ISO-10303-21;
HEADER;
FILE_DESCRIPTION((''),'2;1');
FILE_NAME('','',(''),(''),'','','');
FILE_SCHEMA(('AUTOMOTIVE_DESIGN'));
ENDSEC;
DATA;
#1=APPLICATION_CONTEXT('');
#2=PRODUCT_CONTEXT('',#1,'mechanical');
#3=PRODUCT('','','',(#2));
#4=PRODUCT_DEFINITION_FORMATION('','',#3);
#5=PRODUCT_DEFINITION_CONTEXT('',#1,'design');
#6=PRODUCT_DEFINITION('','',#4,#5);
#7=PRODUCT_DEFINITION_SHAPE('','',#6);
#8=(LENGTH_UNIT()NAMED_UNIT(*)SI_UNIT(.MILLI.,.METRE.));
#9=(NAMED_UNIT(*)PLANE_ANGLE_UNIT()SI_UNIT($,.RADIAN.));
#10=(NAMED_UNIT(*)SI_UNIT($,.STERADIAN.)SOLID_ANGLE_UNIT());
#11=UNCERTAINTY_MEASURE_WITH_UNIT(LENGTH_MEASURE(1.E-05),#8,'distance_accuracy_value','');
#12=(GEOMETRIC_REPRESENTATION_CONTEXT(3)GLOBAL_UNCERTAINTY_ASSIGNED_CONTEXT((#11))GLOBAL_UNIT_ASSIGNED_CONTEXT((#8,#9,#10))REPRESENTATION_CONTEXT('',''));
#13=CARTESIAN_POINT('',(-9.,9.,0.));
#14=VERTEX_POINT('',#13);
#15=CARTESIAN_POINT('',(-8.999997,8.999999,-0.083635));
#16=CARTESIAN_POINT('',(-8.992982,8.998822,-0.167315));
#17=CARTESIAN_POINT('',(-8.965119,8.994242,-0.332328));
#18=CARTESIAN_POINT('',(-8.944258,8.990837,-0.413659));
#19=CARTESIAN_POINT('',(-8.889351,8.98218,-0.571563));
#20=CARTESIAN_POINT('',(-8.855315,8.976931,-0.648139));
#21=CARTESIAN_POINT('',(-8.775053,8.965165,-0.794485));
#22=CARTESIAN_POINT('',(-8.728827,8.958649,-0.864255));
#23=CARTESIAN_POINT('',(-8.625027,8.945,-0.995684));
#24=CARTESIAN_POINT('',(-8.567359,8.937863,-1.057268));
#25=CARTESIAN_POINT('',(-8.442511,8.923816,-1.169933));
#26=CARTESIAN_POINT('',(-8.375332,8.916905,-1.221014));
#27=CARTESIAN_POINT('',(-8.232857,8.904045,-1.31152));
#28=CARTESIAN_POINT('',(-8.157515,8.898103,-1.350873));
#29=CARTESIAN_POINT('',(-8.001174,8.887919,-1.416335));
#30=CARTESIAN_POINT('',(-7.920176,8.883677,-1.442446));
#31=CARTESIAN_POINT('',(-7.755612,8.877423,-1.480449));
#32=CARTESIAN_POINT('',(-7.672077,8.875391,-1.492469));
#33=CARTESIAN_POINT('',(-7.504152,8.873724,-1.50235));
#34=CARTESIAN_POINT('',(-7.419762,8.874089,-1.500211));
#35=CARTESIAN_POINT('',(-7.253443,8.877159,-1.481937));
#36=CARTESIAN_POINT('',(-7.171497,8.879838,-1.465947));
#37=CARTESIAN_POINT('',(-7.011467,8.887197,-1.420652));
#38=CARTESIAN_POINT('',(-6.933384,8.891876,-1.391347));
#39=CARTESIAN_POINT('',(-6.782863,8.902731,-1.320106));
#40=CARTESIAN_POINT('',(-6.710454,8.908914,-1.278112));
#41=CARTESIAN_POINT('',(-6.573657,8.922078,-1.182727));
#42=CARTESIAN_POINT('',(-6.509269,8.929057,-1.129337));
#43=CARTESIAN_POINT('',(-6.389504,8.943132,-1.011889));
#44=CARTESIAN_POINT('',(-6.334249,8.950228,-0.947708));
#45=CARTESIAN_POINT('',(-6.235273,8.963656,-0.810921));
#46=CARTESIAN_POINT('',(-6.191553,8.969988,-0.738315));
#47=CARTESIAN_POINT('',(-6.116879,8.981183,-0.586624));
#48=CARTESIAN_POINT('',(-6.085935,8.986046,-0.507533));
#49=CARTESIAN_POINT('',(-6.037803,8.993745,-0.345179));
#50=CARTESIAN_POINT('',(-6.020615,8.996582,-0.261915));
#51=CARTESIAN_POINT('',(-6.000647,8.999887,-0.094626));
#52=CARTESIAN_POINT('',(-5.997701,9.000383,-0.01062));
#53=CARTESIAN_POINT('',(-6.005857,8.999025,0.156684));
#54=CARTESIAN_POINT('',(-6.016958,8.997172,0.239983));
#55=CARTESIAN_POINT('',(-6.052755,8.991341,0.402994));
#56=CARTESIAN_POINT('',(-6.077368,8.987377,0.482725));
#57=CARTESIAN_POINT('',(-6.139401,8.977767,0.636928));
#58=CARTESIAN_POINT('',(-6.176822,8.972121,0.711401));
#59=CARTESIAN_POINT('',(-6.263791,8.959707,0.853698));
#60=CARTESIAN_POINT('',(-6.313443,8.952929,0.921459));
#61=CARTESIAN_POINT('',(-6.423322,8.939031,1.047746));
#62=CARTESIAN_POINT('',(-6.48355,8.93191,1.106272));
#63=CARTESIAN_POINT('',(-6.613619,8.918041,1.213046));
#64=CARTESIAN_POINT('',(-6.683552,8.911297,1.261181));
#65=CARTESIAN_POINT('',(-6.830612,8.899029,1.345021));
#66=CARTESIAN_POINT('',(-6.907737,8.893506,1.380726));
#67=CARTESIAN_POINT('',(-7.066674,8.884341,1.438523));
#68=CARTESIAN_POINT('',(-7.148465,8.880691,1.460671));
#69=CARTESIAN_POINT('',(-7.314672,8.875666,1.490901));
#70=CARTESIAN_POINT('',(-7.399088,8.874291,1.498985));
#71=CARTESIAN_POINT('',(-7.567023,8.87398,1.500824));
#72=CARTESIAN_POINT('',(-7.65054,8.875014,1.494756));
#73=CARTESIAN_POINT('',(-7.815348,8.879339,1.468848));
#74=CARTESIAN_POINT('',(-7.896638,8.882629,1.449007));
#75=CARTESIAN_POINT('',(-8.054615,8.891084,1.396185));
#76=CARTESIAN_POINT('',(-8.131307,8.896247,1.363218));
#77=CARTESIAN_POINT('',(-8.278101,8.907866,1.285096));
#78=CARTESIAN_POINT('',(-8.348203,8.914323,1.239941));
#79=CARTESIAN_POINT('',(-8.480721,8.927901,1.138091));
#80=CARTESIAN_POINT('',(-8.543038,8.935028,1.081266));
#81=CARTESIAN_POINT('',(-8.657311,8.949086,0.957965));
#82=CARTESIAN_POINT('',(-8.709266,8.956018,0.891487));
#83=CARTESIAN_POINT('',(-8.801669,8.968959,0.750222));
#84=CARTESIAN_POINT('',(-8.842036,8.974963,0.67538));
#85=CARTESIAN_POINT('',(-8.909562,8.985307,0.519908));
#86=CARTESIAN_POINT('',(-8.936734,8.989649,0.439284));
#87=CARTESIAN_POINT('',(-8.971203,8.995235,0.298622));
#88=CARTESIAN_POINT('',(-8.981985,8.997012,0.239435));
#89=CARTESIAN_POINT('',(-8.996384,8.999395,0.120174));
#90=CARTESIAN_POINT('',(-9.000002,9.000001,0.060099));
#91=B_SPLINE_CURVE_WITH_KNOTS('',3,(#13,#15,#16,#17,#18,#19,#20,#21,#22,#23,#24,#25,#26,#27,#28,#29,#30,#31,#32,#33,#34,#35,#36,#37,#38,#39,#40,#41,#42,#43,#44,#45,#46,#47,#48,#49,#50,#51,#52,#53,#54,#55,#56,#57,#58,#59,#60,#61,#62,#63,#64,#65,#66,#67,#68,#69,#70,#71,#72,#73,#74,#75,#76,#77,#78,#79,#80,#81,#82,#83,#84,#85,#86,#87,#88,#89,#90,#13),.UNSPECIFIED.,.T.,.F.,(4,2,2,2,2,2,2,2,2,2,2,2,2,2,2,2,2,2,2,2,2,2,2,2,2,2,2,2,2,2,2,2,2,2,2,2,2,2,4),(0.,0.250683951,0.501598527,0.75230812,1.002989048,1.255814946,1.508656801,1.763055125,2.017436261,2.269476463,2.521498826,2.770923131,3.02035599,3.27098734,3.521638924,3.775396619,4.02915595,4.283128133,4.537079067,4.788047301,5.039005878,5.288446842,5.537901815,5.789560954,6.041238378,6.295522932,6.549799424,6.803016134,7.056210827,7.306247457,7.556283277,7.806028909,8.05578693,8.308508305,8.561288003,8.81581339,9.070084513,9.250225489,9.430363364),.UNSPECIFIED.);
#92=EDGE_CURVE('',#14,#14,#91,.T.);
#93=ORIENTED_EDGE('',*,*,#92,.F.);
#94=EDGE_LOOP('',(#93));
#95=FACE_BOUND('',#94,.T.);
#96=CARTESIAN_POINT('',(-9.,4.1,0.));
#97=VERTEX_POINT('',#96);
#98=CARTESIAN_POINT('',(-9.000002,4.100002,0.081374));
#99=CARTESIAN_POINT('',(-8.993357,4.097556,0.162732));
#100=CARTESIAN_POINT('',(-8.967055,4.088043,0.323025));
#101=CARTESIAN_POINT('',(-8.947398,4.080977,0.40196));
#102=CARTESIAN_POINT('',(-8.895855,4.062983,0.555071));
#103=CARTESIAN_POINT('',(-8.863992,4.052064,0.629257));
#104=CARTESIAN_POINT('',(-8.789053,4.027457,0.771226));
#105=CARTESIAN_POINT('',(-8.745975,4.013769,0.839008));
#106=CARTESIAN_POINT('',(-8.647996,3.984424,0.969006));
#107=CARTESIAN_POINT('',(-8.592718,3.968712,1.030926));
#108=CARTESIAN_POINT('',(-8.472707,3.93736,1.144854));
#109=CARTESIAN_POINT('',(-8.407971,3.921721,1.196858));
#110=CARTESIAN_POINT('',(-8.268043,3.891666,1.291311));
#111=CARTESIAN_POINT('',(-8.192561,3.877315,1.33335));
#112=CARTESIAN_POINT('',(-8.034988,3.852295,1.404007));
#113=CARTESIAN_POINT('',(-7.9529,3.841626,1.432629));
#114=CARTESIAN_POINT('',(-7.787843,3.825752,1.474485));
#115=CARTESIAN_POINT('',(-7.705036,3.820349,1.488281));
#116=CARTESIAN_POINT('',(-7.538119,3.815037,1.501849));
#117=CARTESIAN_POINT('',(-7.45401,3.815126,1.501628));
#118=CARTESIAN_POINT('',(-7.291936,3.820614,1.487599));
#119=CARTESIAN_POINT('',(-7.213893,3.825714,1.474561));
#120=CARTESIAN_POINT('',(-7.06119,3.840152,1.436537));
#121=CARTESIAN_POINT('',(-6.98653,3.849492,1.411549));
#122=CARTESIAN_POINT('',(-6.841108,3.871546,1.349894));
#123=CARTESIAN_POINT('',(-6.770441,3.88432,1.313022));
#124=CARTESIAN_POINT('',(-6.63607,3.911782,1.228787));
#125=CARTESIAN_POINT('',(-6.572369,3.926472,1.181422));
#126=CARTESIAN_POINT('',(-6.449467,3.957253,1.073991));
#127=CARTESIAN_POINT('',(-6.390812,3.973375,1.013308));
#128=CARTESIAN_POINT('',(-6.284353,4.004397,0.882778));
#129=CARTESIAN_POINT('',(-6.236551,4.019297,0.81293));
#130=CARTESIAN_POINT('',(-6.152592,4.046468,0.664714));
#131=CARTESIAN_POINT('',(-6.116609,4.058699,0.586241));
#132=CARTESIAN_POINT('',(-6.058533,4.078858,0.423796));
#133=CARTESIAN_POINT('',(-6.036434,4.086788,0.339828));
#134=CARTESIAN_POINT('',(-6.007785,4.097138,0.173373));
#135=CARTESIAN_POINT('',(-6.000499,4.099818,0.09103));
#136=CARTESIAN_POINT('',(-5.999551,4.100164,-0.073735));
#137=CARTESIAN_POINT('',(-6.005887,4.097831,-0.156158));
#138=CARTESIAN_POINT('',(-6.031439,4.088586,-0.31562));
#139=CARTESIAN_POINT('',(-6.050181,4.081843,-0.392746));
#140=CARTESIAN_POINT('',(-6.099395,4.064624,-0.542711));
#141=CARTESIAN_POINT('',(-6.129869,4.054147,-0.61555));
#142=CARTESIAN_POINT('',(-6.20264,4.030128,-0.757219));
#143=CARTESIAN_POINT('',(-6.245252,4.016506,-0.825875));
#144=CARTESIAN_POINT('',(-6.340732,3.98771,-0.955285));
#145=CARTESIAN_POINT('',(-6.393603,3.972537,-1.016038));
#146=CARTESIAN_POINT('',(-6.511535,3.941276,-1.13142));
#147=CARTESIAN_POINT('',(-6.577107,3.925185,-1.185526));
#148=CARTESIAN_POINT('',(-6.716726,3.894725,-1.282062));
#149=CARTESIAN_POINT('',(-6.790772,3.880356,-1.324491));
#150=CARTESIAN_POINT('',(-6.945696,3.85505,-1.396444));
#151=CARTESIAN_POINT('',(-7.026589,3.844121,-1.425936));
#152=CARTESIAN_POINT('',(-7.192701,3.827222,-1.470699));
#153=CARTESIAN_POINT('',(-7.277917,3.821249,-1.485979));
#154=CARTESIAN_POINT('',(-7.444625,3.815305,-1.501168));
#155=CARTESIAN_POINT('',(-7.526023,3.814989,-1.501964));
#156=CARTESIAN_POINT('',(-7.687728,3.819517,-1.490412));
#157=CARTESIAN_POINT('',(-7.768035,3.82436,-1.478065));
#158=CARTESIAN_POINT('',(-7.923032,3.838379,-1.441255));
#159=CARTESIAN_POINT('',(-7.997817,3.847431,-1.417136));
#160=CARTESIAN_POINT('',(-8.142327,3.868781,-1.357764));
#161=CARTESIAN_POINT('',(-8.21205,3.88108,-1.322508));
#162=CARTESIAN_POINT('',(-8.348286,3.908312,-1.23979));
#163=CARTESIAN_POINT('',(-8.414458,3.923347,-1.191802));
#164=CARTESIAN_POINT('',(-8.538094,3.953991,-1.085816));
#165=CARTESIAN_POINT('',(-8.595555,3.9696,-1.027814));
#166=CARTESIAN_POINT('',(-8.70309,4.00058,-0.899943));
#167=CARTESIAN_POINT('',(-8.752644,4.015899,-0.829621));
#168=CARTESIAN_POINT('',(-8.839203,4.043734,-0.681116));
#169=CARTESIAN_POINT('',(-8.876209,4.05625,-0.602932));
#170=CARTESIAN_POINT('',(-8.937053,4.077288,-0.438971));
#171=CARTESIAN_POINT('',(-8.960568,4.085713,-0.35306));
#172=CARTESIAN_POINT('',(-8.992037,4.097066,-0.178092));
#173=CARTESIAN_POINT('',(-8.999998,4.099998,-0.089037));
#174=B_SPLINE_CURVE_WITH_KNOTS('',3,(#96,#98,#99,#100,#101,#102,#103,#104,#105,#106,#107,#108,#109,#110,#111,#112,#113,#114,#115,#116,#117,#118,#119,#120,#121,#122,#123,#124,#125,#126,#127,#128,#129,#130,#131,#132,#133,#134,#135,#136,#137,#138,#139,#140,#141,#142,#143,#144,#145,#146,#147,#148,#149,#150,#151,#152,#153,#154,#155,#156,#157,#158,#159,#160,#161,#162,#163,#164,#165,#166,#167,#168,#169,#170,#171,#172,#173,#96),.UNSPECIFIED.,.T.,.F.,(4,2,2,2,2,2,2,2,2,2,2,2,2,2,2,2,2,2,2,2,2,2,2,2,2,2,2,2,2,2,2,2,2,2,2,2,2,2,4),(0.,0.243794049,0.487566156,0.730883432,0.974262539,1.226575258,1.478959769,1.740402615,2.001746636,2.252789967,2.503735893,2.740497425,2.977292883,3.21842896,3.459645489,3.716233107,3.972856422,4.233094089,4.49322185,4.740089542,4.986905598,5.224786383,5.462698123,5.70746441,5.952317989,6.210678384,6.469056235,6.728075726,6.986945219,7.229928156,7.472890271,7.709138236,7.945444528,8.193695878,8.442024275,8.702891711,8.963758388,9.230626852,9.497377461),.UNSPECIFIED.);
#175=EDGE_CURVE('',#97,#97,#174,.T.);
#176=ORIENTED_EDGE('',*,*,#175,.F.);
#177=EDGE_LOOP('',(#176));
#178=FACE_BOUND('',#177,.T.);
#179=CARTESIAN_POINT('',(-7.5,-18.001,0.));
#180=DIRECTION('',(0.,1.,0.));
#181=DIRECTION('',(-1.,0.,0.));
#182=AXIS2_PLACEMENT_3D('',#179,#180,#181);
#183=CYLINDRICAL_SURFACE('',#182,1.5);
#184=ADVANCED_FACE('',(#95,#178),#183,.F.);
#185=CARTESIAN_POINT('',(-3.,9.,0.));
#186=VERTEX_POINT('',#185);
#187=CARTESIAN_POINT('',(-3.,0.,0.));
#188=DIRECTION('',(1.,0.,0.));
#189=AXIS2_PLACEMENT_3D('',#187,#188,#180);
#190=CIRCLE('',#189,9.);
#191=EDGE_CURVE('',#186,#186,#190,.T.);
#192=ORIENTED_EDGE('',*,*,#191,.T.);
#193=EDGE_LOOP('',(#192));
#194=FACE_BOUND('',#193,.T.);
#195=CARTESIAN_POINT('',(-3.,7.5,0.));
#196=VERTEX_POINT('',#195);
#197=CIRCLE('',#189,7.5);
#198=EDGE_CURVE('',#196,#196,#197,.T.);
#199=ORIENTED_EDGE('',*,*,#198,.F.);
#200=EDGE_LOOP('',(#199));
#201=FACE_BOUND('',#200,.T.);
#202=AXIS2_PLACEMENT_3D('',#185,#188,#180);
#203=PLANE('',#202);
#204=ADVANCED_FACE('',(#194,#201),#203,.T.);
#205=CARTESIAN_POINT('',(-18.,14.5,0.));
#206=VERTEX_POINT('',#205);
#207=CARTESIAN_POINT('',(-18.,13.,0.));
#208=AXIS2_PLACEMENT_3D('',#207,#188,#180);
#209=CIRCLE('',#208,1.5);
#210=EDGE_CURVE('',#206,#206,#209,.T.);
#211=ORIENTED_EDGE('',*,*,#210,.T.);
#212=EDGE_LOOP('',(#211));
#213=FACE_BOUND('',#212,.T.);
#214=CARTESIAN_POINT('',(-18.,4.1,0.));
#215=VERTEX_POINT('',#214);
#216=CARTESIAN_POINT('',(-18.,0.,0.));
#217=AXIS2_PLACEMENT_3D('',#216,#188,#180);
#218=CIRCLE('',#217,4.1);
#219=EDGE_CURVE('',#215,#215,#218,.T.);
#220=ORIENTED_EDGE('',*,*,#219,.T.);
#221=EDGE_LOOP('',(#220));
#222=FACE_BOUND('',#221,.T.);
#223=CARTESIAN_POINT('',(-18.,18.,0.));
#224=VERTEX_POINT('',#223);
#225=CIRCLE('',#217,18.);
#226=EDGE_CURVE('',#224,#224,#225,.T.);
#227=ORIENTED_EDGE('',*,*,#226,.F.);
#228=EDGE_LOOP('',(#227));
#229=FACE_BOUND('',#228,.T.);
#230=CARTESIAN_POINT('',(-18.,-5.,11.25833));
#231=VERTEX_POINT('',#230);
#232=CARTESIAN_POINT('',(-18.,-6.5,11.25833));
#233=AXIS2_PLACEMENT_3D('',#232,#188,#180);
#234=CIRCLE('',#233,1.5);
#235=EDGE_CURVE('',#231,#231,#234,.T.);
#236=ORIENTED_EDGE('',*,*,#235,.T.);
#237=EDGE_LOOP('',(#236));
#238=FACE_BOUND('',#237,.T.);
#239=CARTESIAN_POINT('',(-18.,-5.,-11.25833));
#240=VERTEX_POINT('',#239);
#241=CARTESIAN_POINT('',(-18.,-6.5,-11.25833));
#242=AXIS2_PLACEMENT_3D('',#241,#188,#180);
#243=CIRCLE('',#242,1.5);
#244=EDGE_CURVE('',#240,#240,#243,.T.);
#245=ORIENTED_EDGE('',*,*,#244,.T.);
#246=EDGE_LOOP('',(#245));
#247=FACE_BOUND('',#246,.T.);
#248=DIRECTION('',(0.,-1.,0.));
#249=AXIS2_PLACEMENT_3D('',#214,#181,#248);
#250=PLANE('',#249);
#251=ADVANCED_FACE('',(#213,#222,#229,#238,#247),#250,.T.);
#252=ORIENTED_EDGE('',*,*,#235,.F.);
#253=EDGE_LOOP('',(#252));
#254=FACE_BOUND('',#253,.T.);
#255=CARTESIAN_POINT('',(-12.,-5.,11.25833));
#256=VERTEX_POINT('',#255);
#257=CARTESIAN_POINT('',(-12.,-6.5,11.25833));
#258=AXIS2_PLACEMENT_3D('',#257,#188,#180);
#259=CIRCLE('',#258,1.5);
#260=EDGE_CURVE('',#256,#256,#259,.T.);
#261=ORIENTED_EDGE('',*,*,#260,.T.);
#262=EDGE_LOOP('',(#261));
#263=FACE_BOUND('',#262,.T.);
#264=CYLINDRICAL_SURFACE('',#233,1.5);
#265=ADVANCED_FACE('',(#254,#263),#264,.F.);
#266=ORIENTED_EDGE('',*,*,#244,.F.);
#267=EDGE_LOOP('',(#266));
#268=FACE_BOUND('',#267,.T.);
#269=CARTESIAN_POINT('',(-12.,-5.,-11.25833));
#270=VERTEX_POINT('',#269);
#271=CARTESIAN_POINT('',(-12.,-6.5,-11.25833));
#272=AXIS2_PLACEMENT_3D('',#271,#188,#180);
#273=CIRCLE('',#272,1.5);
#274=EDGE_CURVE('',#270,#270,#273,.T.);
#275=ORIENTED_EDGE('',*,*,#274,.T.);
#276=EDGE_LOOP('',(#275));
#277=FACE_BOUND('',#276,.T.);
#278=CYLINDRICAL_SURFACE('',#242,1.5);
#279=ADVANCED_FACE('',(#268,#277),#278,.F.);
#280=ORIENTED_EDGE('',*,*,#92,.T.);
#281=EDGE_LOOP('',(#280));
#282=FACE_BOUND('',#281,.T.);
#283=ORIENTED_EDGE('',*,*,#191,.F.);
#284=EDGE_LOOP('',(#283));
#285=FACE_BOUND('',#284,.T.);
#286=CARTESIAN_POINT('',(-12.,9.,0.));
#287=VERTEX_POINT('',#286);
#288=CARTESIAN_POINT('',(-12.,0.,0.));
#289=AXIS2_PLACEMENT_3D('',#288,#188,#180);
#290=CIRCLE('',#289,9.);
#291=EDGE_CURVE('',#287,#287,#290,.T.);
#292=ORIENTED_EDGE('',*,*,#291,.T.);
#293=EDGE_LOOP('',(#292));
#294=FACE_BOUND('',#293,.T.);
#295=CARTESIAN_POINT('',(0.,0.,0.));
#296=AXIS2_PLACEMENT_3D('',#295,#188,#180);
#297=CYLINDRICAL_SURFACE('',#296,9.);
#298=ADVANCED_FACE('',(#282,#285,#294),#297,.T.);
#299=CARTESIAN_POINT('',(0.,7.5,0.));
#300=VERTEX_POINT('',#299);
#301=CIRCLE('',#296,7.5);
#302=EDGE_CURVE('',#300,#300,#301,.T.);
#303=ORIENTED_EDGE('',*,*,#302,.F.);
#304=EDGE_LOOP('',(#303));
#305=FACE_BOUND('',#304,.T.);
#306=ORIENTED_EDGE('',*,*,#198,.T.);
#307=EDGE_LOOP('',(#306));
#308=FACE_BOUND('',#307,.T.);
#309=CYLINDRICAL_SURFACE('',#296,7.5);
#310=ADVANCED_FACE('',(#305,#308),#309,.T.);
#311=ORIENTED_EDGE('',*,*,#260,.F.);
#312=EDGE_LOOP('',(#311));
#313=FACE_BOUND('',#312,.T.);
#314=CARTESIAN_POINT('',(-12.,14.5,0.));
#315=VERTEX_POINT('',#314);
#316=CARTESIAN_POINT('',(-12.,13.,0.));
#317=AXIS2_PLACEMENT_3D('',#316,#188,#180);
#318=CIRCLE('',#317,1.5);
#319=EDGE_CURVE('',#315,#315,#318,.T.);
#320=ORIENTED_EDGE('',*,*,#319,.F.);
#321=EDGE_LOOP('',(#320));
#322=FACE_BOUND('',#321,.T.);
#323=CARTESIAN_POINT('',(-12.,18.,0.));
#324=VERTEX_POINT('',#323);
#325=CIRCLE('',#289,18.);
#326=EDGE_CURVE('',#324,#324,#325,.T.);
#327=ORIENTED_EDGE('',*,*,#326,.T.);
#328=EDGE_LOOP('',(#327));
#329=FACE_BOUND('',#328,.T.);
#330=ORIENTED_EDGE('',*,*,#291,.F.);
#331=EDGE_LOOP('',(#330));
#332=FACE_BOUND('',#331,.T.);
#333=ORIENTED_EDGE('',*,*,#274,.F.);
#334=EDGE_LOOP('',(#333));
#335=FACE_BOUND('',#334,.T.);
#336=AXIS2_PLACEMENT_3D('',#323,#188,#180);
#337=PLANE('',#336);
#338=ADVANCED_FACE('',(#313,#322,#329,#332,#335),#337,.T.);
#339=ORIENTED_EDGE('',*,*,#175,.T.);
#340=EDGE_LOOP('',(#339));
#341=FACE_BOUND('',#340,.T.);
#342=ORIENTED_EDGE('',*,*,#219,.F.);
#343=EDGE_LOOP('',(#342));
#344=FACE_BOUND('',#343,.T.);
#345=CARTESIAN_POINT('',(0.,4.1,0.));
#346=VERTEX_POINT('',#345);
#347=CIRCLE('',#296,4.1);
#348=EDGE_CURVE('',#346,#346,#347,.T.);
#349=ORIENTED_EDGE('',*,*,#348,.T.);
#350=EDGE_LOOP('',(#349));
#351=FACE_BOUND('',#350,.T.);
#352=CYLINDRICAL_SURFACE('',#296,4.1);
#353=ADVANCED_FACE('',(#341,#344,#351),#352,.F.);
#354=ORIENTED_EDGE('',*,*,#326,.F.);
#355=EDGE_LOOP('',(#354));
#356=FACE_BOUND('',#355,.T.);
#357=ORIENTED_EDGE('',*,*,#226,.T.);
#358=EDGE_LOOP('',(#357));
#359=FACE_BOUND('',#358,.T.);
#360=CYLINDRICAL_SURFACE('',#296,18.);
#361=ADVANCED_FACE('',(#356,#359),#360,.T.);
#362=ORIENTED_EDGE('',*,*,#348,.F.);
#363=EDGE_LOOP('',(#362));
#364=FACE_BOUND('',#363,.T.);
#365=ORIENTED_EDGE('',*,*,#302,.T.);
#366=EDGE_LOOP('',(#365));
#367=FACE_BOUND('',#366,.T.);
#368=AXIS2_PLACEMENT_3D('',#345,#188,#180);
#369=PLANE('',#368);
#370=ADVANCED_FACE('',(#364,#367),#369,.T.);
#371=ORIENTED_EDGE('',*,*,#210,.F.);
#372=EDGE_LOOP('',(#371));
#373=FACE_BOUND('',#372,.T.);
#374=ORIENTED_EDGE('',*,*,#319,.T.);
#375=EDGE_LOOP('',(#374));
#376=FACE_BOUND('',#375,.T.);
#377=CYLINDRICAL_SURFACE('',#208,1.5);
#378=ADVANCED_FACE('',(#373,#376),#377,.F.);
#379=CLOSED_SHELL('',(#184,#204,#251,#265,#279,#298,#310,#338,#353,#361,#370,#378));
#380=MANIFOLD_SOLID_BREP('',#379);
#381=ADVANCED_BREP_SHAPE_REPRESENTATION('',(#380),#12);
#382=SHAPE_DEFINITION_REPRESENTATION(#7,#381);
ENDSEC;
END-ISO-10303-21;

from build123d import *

# Parameters (mm, degrees)
ESQUISSE2_R             = 1.5
ENL_V_MAT_EXTRU_1_DEPTH = 7
ENL_V_MAT_EXTRU_2_REACH = 29
ESQUISSE3_R             = 1.5


with BuildPart() as part:
    # Esquisse1 → Révolution1 (revolve)
    with BuildSketch(Plane.XY):
        Polygon((0, 4.1), (-18, 4.1), (-18, 18), (-12, 18), (-12, 9), (-3, 9), (-3, 7.5), (0, 7.5), align=None)
    revolve(axis=Axis((0, 0, 0), (-1, 0, 0)))

    # Esquisse2 → Enlèv. mat.-Extru.1 (cut, through all)
    with BuildSketch(Plane(origin=(-12, 0, 0), x_dir=(0, 0, -1), z_dir=(1, 0, 0))):
        with Locations((0, 13)):
            Circle(ESQUISSE2_R)
        with Locations((11.258330249, -6.5)):
            Circle(ESQUISSE2_R)
        with Locations((-11.258330249, -6.5)):
            Circle(ESQUISSE2_R)
    extrude(amount=-ENL_V_MAT_EXTRU_1_DEPTH, mode=Mode.SUBTRACT)

    # Esquisse3 → Enlèv. mat.-Extru.2 (cut, up to next)
    with BuildSketch(Plane(origin=(0, 9, 0), x_dir=(1, 0, 0), z_dir=(0, 1, 0)), mode=Mode.PRIVATE) as enl_v_mat_extru_2_sk1:
        with Locations((-7.5, 0)):
            Circle(ESQUISSE3_R)
    enl_v_mat_extru_2_tool1 = extrude(enl_v_mat_extru_2_sk1.sketch, amount=-ENL_V_MAT_EXTRU_2_REACH, mode=Mode.PRIVATE) & part.part
    add(enl_v_mat_extru_2_tool1.solids().sort_by_distance((-7.5, 9, 0))[0], mode=Mode.SUBTRACT)


solid = part.part
